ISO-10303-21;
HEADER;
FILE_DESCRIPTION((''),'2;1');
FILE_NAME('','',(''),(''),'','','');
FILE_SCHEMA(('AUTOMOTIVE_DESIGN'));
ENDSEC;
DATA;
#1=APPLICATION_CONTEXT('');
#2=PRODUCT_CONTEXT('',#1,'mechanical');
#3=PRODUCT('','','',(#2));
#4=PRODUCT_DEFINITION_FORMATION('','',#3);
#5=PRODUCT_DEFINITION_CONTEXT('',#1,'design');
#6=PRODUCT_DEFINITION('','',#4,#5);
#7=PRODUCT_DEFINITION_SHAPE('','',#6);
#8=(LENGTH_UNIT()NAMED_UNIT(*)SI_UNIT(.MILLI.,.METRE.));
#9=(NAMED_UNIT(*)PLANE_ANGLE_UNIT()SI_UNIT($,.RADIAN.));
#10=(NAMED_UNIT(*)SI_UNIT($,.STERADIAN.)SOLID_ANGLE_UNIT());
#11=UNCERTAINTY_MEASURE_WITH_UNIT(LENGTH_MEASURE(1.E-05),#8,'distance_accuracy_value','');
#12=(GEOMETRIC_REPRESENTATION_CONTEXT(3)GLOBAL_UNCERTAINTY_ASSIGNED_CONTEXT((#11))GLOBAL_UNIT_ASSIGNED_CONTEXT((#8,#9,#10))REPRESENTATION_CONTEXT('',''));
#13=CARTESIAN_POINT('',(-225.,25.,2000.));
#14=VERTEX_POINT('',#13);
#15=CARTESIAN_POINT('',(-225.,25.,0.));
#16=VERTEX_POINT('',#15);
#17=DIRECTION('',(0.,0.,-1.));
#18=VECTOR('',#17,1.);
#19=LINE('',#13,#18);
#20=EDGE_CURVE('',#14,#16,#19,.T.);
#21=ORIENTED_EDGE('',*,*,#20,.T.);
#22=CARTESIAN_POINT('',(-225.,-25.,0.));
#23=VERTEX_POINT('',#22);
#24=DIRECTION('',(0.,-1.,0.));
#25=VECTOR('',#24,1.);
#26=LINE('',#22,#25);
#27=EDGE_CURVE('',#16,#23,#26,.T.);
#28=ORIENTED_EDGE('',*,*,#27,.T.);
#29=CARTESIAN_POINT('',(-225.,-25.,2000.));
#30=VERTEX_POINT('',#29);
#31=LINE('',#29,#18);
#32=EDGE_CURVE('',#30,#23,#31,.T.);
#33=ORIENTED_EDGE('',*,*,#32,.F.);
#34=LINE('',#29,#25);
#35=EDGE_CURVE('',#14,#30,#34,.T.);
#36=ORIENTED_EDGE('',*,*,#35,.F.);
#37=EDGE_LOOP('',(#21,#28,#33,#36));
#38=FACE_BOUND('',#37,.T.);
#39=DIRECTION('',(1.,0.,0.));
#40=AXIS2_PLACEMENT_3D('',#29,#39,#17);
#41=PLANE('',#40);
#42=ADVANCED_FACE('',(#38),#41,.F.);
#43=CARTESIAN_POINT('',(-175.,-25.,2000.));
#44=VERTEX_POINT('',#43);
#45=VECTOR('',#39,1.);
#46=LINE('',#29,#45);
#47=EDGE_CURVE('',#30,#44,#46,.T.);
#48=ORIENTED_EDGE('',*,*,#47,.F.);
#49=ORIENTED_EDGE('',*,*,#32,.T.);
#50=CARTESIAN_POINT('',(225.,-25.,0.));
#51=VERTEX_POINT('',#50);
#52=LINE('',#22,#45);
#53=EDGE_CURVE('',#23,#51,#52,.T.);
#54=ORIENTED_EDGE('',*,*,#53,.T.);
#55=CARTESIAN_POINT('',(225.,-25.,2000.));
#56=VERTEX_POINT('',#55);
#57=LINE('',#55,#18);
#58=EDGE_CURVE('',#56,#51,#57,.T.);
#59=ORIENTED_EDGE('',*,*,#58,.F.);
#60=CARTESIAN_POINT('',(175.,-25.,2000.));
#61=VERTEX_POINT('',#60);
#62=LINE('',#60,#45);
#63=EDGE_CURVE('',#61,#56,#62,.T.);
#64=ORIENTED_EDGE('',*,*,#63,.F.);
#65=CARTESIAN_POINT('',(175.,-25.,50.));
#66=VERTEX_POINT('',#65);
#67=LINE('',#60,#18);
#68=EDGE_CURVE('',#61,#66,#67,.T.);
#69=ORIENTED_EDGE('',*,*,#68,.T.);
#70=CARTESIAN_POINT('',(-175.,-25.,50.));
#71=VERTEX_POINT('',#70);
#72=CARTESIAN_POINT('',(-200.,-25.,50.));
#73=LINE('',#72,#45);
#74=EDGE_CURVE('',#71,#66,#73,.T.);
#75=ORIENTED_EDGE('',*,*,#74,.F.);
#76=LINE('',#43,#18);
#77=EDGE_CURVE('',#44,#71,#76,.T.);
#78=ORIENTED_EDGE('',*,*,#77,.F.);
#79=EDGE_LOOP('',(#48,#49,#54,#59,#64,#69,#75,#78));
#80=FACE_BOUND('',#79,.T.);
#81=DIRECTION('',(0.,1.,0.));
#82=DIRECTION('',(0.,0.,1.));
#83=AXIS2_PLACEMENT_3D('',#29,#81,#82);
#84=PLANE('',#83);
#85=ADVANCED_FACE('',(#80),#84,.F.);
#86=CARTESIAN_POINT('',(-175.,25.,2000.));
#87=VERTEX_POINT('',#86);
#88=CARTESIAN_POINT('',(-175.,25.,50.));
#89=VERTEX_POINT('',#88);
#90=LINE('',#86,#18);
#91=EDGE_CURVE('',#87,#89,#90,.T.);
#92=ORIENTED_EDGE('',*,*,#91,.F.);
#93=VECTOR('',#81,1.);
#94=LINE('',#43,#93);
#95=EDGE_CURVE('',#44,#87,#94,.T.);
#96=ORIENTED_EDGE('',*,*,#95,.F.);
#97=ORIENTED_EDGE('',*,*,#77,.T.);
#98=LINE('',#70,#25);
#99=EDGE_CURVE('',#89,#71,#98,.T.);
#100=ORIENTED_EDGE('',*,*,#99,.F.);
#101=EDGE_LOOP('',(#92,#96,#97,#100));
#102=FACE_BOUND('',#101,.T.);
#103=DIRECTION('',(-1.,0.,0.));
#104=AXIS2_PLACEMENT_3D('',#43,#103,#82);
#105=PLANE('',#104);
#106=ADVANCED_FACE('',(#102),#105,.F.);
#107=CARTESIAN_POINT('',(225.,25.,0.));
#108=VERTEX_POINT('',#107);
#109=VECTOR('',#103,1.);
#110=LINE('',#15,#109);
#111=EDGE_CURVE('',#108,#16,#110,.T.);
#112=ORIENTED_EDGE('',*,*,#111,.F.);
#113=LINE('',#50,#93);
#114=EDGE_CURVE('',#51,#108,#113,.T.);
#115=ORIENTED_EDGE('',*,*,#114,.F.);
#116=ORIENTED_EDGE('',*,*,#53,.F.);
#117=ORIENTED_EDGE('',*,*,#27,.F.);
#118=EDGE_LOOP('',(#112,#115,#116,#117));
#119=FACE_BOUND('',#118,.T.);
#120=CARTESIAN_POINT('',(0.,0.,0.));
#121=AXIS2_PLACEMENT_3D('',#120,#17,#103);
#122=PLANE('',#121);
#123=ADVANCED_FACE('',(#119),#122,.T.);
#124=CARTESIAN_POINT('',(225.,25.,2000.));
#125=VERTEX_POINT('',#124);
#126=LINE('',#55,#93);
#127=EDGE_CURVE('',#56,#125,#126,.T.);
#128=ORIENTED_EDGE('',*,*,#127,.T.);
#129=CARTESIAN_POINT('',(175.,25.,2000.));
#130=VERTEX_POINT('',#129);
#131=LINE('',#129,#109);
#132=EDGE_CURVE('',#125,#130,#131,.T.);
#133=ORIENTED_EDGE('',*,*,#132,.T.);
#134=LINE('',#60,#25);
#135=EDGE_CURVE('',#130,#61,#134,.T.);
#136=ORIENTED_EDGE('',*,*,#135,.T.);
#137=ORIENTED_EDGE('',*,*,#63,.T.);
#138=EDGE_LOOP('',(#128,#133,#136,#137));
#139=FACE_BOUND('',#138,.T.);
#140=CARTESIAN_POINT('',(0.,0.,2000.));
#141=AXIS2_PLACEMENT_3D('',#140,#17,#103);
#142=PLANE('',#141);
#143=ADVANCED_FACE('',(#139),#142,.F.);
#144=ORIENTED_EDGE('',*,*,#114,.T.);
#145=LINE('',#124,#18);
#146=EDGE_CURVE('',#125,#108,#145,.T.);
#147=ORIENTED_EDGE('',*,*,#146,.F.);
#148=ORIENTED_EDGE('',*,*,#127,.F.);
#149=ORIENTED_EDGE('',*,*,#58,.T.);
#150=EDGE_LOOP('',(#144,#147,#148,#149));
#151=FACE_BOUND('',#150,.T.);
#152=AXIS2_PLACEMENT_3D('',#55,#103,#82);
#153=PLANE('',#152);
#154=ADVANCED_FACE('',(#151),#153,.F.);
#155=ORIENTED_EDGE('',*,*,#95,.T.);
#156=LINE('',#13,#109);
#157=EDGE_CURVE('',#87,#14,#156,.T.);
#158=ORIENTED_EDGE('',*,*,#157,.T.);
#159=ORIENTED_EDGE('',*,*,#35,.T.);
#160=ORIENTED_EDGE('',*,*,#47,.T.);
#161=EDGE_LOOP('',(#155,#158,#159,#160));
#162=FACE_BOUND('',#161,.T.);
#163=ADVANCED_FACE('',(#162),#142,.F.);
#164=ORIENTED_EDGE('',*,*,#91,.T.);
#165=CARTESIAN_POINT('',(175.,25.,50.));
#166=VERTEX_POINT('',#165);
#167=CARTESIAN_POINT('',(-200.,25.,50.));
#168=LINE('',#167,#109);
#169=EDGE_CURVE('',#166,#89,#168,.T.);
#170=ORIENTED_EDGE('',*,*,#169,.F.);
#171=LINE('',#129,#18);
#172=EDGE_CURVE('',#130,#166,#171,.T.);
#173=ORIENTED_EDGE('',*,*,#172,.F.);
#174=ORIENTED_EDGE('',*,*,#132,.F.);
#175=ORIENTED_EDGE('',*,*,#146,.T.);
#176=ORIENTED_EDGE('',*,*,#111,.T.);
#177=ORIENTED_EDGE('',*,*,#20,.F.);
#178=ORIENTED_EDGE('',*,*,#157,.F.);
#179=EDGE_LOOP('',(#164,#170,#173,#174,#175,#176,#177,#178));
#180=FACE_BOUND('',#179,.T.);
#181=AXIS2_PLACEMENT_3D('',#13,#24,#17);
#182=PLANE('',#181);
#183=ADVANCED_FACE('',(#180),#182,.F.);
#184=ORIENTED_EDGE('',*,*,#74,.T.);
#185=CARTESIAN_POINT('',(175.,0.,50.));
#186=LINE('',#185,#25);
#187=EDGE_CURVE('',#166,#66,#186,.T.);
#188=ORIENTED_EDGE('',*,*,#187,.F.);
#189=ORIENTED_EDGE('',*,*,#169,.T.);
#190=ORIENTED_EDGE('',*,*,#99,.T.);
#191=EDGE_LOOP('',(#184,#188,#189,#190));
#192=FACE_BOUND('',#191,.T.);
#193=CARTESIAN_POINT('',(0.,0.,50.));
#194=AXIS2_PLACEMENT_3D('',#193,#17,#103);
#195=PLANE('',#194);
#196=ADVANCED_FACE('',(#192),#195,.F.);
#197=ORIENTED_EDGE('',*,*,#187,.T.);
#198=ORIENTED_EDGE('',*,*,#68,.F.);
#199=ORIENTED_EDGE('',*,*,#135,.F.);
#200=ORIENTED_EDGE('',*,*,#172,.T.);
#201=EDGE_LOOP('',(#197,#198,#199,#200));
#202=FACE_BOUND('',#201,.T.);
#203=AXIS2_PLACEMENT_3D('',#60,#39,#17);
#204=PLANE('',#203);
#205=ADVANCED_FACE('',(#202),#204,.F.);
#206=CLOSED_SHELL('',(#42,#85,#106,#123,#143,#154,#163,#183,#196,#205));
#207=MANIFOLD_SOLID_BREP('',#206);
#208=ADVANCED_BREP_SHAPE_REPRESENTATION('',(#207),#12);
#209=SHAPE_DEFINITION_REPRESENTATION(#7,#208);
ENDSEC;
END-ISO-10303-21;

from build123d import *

# Parameters (mm, degrees)
SKETCH_1_W      = 50
SKETCH_1_H      = 50
EXTRUDE_1_DEPTH = 2000
SKETCH_2_W      = 50
SKETCH_2_H      = 50
EXTRUDE_2_DEPTH = 2000
SKETCH_3_W      = 400
SKETCH_3_H      = 50
EXTRUDE_3_DEPTH = 50
SKETCH_4_W      = 400
SKETCH_4_H      = 50
EXTRUDE_4_DEPTH = 50
SKETCH_5_W      = 400
SKETCH_5_H      = 50
EXTRUDE_5_DEPTH = 50
SKETCH_6_W      = 400
SKETCH_6_H      = 50
EXTRUDE_6_DEPTH = 50
SKETCH_7_W      = 400
SKETCH_7_H      = 50
EXTRUDE_7_DEPTH = 50


with BuildPart() as part:
    # 草图1 → 凸台-拉伸1 (new body)
    with BuildSketch(Plane.XY):
        with Locations((-200, 0)):
            Rectangle(SKETCH_1_W, SKETCH_1_H)
    extrude(amount=EXTRUDE_1_DEPTH)



with BuildPart() as body_2:
    # 草图2 → 凸台-拉伸2 (new body)
    with BuildSketch(Plane.XY):
        with Locations((200, 0)):
            Rectangle(SKETCH_2_W, SKETCH_2_H)
    extrude(amount=EXTRUDE_2_DEPTH)


with BuildPart() as part_1:
    add(part.part)

    add(body_2.part)  # 凸台-拉伸3 merges body 2
    # 草图3 → 凸台-拉伸3 (add)
    with BuildSketch(Plane.XY):
        Rectangle(SKETCH_3_W, SKETCH_3_H)
    extrude(amount=EXTRUDE_3_DEPTH)

    # 草图4 → 凸台-拉伸4 (add)
    with BuildSketch(Plane.XY):
        Rectangle(SKETCH_4_W, SKETCH_4_H)
    extrude(amount=EXTRUDE_4_DEPTH)

    # 草图5 → 凸台-拉伸5 (add)
    with BuildSketch(Plane.XY):
        Rectangle(SKETCH_5_W, SKETCH_5_H)
    extrude(amount=EXTRUDE_5_DEPTH)

    # 草图6 → 凸台-拉伸6 (add)
    with BuildSketch(Plane.XY):
        Rectangle(SKETCH_6_W, SKETCH_6_H)
    extrude(amount=EXTRUDE_6_DEPTH)

    # 草图7 → 凸台-拉伸7 (add)
    with BuildSketch(Plane.XY):
        Rectangle(SKETCH_7_W, SKETCH_7_H)
    extrude(amount=EXTRUDE_7_DEPTH)


solid = part_1.part
